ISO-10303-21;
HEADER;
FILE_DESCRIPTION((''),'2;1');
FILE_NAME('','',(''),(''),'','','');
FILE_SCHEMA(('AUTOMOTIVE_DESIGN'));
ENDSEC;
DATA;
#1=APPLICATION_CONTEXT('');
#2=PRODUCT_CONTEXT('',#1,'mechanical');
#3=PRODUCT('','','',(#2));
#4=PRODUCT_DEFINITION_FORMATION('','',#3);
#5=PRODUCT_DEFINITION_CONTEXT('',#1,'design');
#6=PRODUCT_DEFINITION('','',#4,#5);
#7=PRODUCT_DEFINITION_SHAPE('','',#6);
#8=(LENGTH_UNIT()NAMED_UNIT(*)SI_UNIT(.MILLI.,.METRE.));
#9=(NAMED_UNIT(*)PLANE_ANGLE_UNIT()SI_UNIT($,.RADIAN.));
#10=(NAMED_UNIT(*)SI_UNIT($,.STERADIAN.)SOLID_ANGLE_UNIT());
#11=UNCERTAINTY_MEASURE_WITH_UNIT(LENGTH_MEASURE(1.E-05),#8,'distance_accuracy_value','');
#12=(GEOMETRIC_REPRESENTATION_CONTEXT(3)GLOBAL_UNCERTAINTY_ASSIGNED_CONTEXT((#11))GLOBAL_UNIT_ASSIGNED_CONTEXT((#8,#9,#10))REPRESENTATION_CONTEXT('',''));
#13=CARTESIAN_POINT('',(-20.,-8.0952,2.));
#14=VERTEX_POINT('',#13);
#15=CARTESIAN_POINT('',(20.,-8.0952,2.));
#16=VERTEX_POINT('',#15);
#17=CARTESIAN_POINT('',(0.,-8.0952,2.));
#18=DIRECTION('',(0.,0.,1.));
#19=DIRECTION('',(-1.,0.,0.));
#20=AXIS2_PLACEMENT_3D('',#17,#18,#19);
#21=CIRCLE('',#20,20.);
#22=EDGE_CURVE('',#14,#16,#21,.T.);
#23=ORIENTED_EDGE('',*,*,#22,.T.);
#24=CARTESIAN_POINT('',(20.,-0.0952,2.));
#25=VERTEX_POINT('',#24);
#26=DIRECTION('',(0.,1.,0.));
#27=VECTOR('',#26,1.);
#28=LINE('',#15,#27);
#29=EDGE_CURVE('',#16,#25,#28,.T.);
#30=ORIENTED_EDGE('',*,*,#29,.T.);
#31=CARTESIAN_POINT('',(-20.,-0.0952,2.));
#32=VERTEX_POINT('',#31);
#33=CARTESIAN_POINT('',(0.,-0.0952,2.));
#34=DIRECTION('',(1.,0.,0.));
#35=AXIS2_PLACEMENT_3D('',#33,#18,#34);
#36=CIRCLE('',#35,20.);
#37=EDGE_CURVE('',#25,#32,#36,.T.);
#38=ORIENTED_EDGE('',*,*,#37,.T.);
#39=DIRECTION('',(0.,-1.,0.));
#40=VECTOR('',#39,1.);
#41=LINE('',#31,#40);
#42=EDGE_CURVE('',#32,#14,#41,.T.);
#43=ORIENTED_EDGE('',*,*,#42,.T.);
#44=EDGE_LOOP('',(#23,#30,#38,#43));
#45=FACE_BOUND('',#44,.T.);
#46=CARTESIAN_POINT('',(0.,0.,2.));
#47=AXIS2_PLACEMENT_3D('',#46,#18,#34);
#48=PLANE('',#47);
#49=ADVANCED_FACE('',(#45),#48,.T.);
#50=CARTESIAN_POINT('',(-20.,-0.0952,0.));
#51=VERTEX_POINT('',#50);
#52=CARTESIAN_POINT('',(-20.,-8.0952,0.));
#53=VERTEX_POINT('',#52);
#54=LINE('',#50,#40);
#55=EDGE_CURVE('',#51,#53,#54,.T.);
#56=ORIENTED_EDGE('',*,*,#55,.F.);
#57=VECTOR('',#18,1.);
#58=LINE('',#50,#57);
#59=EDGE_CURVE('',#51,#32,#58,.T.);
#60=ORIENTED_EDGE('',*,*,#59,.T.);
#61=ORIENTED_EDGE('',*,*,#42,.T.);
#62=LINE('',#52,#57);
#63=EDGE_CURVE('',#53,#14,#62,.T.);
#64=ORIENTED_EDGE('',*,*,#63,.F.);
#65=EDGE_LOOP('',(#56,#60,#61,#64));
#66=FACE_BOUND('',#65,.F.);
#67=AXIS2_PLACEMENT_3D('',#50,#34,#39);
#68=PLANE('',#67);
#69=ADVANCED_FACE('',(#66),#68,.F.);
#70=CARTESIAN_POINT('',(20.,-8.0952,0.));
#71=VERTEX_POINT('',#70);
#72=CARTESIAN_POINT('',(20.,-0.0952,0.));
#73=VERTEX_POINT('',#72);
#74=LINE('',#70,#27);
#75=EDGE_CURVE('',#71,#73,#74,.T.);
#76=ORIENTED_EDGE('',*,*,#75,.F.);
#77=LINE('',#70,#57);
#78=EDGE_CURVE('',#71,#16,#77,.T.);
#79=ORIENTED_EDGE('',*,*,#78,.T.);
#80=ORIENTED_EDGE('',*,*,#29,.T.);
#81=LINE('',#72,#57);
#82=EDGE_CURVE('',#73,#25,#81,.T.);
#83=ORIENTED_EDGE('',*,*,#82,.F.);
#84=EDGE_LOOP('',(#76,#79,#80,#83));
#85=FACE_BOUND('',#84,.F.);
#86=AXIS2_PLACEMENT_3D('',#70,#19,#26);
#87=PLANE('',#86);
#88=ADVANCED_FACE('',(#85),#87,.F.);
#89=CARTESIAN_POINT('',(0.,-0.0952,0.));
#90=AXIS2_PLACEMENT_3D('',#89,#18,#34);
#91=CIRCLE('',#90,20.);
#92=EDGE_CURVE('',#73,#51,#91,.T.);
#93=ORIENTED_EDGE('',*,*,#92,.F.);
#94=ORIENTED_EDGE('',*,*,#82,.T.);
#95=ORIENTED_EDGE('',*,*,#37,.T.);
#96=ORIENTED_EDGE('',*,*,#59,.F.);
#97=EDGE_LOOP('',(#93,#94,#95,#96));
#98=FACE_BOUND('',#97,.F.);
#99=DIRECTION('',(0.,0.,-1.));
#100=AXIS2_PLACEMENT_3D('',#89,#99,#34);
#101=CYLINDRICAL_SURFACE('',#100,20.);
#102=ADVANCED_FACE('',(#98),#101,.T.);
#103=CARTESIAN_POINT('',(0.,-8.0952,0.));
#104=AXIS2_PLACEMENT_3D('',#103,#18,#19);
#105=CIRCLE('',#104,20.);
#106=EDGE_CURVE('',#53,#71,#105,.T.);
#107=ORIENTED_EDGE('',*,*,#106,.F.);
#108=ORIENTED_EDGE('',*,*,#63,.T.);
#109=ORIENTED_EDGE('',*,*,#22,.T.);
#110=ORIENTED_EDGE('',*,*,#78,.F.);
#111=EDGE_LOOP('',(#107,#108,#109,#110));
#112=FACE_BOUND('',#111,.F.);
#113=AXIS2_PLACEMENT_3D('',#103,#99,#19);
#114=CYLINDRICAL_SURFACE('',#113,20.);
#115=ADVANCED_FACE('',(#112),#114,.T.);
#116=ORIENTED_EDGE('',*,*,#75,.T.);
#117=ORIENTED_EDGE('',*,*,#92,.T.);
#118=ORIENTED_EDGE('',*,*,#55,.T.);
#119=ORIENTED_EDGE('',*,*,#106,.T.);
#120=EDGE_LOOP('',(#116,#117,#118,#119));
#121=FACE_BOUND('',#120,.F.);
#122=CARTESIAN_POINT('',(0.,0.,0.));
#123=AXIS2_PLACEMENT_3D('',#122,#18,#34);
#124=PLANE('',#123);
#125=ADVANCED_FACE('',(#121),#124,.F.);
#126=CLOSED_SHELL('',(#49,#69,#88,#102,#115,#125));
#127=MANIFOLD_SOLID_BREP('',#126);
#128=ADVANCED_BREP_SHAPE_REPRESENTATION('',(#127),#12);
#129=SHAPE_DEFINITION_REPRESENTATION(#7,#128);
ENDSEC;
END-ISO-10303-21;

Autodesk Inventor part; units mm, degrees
ref_plane "YZ Plane" through (0, 0, 0) normal (1, 0, 0) x (0, 1, 0)
ref_plane "XZ Plane" through (0, 0, 0) normal (0, 1, 0) x (-1, 0, 0)
ref_plane "XY Plane" through (0, 0, 0) normal (0, 0, 1) x (1, 0, 0)
sketch "Skizze1" plane through (0, 0, 0) normal (0, 0, 1) x (1, 0, 0)
  line L0 (0, 19.9048) -> (0, -28.0952) construction
  line L1 (-20, -0.0952) -> (-20, -8.0952)
  line L2 (20, -8.0952) -> (20, -0.0952)
  arc A0 (20, -0.0952) -> (-20, -0.0952) centre (0, -0.0952) ccw
  arc A1 (-20, -8.0952) -> (20, -8.0952) centre (0, -8.0952) ccw
  point P0 (0, 0)
  point P1 (0, -4.0952)
  dimension "d0" = 40
  dimension "d1" = 48
extrude "Extrusion1" add sketch "Skizze1" along normal blind 2
equation "\"Biegeradius\" = Stärke"
equation "\"BreiteBiegungsfreistellung\" = Stärke"
equation "\"TiefeBiegungsfreistellung\" = 0.5 * Stärke"
equation "\"GrößeEckenfreistellung\" = 4 * Stärke"
equation "\"MinimalRest\" = 2 * Stärke"
equation "\"Übergangsradius\" = Biegeradius"
equation "\"JacobiRadiusGröße\" = Biegeradius"
equation "\"Abstandsgröße\" = Stärke"
equation "\"Stärke\" = 3.048"
properties part number "20_cube_circular_polarizer"
